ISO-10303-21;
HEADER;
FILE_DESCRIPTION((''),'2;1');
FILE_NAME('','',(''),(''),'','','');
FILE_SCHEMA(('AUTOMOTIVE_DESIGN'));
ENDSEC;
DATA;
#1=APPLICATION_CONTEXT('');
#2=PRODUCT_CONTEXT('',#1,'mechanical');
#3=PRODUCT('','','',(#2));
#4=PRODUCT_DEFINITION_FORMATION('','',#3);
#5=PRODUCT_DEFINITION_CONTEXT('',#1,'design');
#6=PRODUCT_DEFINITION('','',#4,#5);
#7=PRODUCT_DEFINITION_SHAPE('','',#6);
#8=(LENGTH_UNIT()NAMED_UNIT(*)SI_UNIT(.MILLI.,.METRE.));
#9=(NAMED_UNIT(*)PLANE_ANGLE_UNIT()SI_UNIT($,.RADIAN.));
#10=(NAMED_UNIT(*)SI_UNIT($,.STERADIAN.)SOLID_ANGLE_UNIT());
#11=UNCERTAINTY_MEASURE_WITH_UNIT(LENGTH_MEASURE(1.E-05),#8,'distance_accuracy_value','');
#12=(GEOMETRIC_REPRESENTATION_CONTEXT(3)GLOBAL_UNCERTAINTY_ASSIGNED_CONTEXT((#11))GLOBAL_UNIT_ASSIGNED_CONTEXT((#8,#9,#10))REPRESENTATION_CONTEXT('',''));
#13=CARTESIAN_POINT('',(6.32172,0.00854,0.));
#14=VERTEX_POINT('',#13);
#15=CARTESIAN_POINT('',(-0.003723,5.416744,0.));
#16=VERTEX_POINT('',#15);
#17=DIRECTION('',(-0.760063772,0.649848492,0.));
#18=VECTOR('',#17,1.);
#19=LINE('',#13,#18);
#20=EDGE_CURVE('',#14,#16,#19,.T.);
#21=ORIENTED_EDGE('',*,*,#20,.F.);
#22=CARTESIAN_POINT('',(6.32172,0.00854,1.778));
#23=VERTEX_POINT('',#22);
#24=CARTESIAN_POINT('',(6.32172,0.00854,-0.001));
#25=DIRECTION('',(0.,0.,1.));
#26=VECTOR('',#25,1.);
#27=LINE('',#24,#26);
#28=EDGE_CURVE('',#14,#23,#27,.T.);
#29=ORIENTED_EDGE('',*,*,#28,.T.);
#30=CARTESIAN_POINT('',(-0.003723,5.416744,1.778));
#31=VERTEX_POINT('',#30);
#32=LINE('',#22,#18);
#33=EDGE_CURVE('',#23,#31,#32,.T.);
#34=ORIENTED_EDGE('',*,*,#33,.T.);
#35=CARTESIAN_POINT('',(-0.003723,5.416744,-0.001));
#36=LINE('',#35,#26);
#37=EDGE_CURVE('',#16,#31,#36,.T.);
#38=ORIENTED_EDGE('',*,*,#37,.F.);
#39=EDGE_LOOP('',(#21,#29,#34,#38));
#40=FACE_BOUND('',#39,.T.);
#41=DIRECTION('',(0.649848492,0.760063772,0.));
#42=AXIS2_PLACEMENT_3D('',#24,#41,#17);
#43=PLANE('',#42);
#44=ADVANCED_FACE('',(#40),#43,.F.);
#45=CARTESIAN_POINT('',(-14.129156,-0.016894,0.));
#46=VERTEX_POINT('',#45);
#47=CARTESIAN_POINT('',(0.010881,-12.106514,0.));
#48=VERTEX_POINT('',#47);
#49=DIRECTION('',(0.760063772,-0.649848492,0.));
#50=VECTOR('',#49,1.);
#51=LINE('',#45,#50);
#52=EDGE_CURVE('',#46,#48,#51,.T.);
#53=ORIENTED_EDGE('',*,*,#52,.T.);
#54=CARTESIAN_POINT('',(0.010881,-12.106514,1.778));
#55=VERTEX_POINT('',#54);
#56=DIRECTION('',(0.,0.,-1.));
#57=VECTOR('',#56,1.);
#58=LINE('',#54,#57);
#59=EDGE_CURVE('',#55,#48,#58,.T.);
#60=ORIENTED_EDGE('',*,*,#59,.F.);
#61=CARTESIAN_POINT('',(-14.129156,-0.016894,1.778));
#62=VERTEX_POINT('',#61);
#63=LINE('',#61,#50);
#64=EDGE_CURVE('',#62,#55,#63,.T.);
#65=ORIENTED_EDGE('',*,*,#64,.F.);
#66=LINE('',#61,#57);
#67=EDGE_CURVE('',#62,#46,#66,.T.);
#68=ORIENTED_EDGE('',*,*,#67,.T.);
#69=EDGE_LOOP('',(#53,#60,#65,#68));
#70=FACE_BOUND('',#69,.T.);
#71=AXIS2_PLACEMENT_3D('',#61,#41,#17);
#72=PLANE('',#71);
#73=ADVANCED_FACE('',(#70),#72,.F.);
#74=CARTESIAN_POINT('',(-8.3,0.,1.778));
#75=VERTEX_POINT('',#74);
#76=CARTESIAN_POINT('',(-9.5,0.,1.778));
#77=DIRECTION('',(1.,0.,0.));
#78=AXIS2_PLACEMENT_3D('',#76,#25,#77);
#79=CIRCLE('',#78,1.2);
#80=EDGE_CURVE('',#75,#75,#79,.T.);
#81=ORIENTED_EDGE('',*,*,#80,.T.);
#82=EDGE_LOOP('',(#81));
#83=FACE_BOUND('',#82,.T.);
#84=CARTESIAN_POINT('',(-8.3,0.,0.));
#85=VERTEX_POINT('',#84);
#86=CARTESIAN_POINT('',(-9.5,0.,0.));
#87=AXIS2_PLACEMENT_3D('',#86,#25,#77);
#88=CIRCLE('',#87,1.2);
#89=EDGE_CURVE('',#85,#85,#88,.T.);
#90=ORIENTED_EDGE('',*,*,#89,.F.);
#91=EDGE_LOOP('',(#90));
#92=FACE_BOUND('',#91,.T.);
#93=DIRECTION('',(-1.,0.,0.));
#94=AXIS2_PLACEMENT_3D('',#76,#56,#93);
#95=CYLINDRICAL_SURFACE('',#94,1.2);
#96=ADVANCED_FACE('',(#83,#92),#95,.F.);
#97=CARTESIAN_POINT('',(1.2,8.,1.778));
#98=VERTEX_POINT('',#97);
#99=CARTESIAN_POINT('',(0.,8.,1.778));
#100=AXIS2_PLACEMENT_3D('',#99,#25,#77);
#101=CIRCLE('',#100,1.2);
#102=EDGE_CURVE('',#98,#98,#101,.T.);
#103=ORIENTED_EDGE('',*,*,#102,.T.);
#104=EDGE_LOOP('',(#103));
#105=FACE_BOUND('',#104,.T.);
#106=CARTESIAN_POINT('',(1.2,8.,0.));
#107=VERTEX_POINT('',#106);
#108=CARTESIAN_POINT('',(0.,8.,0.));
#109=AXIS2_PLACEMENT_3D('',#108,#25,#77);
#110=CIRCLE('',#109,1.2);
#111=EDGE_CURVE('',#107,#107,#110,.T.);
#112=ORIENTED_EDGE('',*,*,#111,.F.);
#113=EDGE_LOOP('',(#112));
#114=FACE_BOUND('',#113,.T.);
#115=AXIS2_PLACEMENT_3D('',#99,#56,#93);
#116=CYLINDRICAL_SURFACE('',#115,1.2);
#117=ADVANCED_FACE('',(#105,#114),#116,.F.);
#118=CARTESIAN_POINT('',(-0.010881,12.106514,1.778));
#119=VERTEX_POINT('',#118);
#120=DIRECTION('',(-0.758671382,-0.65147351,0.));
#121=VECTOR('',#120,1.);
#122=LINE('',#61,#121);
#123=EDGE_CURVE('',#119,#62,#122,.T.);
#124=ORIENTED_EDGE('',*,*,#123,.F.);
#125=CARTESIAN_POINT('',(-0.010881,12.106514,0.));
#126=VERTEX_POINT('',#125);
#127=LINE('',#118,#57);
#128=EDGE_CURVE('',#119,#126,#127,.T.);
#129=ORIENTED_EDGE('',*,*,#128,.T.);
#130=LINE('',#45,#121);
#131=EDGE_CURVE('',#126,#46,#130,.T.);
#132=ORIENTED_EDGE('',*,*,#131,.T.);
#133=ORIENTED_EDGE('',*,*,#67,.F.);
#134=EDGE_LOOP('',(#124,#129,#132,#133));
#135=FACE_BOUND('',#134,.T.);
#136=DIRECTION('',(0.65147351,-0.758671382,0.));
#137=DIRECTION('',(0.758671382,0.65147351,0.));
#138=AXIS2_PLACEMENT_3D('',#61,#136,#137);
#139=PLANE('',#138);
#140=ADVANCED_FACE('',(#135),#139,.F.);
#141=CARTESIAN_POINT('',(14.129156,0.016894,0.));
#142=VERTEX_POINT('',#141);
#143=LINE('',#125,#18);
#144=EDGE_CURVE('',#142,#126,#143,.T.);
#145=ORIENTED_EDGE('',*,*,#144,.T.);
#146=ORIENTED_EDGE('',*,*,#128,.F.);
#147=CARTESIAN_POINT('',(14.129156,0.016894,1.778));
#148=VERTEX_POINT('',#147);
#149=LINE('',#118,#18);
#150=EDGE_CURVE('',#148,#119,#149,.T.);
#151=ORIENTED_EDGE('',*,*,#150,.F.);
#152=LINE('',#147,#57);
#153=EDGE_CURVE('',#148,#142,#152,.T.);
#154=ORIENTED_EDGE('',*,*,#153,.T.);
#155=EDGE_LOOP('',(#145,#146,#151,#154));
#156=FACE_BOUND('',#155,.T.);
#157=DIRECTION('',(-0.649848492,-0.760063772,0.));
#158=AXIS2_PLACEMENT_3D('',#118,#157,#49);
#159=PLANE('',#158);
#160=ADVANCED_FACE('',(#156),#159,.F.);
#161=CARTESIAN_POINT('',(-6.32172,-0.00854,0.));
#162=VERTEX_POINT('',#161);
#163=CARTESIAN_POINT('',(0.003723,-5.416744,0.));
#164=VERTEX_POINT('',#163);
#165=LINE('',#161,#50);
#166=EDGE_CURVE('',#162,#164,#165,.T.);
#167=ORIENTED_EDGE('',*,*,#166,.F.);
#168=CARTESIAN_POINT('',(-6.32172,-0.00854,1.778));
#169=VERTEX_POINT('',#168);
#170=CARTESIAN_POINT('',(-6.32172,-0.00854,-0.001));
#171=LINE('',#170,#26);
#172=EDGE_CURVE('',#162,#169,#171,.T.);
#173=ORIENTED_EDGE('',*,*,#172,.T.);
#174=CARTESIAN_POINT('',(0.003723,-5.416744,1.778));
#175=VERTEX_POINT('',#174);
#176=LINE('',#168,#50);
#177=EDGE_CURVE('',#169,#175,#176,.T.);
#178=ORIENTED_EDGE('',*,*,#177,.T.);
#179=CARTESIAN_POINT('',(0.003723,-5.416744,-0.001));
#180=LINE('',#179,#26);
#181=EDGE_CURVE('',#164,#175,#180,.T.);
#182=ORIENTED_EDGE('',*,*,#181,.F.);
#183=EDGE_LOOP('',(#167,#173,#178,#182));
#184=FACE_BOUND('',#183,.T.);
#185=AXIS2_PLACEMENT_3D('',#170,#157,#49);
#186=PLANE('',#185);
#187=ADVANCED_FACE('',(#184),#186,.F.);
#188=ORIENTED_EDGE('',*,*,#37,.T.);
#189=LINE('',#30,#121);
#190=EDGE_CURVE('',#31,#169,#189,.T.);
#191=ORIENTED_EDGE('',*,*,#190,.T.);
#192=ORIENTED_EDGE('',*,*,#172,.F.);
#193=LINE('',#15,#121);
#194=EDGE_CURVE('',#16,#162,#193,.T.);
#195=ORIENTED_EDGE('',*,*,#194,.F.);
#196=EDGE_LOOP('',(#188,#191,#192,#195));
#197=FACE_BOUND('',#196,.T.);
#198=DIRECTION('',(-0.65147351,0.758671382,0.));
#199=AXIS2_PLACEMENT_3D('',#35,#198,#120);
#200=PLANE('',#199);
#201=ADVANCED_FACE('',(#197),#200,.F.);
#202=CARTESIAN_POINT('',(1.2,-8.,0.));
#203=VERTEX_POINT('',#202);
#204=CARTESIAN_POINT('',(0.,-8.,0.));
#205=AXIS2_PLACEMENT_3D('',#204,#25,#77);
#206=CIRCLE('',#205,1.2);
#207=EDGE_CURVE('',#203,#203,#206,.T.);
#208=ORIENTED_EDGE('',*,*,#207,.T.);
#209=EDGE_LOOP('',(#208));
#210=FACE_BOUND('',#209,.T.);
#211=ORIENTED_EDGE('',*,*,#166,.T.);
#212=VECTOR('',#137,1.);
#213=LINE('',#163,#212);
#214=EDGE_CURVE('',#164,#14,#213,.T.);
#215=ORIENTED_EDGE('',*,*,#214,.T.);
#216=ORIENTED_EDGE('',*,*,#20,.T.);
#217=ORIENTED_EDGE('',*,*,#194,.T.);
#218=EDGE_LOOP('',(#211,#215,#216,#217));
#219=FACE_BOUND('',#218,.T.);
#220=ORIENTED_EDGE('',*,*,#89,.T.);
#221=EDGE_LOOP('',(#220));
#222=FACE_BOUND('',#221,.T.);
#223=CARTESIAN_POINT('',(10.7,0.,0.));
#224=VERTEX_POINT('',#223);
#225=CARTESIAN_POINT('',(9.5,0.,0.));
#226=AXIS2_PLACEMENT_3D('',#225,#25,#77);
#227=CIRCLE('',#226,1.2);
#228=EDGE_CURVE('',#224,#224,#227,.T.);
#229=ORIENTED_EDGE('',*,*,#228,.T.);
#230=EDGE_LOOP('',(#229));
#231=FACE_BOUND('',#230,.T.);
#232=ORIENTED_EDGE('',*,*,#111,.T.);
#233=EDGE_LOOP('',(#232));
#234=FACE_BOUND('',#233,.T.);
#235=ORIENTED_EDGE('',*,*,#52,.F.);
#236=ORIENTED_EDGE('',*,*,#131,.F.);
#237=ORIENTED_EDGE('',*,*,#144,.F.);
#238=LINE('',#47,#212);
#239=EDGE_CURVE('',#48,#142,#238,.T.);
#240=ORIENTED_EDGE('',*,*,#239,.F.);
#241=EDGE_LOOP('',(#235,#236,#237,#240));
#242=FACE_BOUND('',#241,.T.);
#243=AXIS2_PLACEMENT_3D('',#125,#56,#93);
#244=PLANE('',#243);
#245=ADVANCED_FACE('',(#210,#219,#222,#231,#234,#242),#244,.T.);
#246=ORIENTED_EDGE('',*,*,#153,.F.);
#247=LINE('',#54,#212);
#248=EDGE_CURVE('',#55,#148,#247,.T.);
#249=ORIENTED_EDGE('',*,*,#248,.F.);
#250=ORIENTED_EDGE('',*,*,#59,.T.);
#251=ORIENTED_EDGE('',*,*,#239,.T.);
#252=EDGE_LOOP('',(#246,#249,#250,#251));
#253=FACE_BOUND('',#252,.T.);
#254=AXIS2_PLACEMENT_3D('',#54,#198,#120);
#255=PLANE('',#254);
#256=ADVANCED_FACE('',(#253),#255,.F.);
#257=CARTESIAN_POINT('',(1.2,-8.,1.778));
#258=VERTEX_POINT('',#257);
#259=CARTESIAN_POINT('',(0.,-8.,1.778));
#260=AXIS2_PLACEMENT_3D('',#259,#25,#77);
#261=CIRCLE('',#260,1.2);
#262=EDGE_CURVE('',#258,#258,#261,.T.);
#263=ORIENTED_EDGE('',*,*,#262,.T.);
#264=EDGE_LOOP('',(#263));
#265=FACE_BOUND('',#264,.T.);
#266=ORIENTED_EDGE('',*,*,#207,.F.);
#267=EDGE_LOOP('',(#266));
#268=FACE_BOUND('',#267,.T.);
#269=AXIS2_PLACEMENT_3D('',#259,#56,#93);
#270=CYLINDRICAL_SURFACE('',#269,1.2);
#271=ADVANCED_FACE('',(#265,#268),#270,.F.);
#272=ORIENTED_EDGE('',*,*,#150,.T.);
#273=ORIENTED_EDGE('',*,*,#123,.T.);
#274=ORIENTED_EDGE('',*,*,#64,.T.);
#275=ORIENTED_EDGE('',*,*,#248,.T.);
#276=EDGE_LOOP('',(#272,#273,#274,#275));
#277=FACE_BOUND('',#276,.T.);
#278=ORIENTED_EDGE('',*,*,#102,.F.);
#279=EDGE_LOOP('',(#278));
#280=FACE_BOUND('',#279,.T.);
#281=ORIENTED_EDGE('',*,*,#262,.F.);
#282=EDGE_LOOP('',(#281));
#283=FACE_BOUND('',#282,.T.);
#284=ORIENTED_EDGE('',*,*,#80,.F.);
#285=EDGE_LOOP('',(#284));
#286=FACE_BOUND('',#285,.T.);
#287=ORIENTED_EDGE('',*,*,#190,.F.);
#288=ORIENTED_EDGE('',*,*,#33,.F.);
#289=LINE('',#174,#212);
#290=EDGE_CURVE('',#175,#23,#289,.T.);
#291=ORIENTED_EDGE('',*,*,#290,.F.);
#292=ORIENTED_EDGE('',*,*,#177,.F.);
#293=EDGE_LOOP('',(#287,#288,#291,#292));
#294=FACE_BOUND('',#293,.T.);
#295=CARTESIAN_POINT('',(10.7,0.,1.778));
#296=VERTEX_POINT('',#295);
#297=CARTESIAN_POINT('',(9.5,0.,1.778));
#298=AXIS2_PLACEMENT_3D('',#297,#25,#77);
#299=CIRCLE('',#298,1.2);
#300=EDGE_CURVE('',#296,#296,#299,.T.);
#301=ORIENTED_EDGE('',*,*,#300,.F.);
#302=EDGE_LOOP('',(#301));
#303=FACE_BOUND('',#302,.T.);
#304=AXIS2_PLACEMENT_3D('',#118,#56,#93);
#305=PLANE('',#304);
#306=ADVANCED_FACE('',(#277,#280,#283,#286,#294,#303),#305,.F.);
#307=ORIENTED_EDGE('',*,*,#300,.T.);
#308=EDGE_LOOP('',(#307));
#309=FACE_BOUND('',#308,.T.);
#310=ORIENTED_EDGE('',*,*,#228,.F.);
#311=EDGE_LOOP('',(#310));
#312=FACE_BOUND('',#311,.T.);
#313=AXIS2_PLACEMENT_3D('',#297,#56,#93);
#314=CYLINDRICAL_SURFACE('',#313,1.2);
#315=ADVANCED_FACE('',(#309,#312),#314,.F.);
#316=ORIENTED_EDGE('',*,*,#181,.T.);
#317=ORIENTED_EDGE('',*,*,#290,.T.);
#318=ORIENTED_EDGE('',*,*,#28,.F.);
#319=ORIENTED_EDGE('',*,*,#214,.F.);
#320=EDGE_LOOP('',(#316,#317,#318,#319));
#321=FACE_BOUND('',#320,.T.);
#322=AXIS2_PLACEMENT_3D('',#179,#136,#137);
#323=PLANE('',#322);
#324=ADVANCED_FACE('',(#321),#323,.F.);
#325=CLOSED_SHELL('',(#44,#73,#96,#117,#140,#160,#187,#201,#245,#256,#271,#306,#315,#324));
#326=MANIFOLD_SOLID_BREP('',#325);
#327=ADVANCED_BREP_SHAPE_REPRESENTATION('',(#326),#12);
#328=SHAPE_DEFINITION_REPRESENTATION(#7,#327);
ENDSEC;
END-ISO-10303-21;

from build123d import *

# Parameters (mm, degrees)
SKETCH1_R           = 1.2
BOSS_EXTRUDE1_DEPTH = 1.778
CUT_EXTRUDE1_REACH  = 20.691


with BuildPart() as part:
    # Sketch1 → Boss-Extrude1 (new body)
    with BuildSketch(Plane.XY):
        Polygon((-14.129156365, -0.016893901), (0.010881059, -12.106513676), (14.129156365, 0.016893901), (-0.010881059, 12.106513676), align=None)
        with Locations((0, 8)):
            Circle(SKETCH1_R, mode=Mode.SUBTRACT)
        with Locations((-9.5, 0)):
            Circle(SKETCH1_R, mode=Mode.SUBTRACT)
        with Locations((9.5, 0)):
            Circle(SKETCH1_R, mode=Mode.SUBTRACT)
        with Locations((0, -8)):
            Circle(SKETCH1_R, mode=Mode.SUBTRACT)
    extrude(amount=BOSS_EXTRUDE1_DEPTH)

    # Sketch2 → Cut-Extrude1 (cut, up to next)
    with BuildSketch(Plane.XY.offset(1.778), mode=Mode.PRIVATE) as cut_extrude1_sk1:
        Polygon((-0.003723131, 5.416744003), (-6.321720276, -0.008540092), (0.003723131, -5.416744003), (6.321720276, 0.008540092), align=None)
    cut_extrude1_tool1 = extrude(cut_extrude1_sk1.sketch, amount=-CUT_EXTRUDE1_REACH, mode=Mode.PRIVATE) & part.part
    add(cut_extrude1_tool1.solids().sort_by_distance((0, 0, 1.778))[0], mode=Mode.SUBTRACT)


solid = part.part
